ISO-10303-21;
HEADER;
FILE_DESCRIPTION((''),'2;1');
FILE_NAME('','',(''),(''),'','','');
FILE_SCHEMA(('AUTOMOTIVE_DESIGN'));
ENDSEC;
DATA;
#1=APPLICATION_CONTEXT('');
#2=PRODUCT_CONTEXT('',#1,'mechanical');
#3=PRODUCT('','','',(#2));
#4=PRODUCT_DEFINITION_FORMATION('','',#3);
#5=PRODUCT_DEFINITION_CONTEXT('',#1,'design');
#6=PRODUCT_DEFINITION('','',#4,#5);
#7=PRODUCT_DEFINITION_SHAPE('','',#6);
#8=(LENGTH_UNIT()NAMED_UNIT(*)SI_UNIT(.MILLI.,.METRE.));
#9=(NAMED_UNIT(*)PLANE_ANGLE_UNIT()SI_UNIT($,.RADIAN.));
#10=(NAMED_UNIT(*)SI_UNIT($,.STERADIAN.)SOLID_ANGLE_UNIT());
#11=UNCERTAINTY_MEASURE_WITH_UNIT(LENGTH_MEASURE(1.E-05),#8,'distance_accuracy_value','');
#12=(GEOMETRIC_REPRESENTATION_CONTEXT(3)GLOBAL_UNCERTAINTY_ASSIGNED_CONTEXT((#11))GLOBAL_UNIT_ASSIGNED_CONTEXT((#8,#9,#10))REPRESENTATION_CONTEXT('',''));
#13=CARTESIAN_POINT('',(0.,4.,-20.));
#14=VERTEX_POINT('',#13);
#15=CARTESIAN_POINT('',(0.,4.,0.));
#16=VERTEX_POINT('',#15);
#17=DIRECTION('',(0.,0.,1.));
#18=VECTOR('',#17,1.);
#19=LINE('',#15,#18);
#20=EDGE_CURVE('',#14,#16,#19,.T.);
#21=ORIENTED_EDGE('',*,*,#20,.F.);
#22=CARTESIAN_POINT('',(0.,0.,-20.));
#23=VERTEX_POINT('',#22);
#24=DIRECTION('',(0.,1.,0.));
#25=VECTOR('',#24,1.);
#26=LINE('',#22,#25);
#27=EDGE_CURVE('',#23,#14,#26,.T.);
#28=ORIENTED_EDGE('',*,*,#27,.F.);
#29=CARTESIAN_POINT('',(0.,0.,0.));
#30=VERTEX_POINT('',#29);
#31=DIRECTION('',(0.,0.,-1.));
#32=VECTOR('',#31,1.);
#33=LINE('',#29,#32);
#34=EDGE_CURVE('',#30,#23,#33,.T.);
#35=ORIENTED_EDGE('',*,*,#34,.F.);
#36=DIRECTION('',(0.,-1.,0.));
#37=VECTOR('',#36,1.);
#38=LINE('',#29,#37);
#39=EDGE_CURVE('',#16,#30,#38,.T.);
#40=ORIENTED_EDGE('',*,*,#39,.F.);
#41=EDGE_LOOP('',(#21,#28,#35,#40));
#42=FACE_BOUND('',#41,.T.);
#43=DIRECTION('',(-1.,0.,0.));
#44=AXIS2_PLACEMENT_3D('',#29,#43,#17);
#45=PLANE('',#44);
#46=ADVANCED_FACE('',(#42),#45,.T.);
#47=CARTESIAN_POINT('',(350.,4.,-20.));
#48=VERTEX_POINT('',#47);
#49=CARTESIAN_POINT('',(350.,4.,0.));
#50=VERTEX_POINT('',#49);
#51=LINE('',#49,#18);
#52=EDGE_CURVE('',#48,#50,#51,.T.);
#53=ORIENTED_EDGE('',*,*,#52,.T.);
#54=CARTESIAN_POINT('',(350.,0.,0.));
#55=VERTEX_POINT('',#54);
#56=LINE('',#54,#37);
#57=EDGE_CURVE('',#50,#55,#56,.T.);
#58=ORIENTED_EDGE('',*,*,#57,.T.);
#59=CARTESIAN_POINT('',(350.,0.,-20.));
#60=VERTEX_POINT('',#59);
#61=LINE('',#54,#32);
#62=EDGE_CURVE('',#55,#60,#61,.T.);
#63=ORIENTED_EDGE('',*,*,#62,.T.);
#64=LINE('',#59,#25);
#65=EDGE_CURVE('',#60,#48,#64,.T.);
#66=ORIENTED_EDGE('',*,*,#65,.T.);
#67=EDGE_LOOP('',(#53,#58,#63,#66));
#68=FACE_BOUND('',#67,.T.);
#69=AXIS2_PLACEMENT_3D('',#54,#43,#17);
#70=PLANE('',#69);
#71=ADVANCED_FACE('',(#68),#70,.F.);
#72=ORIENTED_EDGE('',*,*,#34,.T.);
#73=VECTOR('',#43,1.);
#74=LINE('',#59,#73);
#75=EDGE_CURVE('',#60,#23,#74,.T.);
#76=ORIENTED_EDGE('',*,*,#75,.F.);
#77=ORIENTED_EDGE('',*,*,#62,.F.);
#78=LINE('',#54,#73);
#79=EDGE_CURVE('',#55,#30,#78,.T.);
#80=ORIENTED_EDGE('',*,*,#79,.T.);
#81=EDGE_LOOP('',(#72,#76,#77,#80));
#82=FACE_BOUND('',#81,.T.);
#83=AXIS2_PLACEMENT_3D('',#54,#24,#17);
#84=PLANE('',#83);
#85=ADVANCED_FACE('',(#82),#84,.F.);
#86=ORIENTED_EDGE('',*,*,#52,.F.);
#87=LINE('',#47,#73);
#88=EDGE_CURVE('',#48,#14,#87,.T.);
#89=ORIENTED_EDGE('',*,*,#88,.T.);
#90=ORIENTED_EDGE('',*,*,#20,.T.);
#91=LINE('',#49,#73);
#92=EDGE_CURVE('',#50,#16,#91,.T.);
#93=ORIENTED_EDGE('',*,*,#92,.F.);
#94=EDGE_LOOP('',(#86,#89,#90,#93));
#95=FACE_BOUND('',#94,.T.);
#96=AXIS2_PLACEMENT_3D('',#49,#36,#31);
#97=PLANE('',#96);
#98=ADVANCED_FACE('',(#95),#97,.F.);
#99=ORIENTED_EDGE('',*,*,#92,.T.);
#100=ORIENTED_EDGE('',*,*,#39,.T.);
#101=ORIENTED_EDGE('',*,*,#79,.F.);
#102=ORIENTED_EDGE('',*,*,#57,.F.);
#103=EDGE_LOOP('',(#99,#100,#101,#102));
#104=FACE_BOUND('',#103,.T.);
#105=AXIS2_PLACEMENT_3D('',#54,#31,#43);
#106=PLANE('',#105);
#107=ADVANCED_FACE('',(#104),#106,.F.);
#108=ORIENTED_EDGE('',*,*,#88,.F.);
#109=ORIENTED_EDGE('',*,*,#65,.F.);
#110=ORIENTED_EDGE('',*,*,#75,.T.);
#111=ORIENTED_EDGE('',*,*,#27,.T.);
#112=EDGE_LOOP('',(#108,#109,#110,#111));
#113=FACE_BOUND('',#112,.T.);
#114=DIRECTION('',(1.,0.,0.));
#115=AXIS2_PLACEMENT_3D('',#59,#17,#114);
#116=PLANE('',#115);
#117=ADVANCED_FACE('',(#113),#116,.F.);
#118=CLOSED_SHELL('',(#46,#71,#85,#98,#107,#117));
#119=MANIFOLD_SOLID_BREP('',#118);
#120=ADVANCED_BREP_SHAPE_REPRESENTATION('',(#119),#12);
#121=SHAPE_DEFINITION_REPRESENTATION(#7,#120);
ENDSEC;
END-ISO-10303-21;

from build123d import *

# Parameters (mm, degrees)
SKETCH_1_W      = 20
SKETCH_1_H      = 4
EXTRUDE_1_DEPTH = 350


with BuildPart() as part:
    # Эскиз1 → Бобышка-Вытянуть1 (new body)
    with BuildSketch(Plane(origin=(0, 0, 0), x_dir=(0, 0, -1), z_dir=(1, 0, 0))):
        with Locations((10, 2)):
            Rectangle(SKETCH_1_W, SKETCH_1_H)
    extrude(amount=EXTRUDE_1_DEPTH)


solid = part.part
